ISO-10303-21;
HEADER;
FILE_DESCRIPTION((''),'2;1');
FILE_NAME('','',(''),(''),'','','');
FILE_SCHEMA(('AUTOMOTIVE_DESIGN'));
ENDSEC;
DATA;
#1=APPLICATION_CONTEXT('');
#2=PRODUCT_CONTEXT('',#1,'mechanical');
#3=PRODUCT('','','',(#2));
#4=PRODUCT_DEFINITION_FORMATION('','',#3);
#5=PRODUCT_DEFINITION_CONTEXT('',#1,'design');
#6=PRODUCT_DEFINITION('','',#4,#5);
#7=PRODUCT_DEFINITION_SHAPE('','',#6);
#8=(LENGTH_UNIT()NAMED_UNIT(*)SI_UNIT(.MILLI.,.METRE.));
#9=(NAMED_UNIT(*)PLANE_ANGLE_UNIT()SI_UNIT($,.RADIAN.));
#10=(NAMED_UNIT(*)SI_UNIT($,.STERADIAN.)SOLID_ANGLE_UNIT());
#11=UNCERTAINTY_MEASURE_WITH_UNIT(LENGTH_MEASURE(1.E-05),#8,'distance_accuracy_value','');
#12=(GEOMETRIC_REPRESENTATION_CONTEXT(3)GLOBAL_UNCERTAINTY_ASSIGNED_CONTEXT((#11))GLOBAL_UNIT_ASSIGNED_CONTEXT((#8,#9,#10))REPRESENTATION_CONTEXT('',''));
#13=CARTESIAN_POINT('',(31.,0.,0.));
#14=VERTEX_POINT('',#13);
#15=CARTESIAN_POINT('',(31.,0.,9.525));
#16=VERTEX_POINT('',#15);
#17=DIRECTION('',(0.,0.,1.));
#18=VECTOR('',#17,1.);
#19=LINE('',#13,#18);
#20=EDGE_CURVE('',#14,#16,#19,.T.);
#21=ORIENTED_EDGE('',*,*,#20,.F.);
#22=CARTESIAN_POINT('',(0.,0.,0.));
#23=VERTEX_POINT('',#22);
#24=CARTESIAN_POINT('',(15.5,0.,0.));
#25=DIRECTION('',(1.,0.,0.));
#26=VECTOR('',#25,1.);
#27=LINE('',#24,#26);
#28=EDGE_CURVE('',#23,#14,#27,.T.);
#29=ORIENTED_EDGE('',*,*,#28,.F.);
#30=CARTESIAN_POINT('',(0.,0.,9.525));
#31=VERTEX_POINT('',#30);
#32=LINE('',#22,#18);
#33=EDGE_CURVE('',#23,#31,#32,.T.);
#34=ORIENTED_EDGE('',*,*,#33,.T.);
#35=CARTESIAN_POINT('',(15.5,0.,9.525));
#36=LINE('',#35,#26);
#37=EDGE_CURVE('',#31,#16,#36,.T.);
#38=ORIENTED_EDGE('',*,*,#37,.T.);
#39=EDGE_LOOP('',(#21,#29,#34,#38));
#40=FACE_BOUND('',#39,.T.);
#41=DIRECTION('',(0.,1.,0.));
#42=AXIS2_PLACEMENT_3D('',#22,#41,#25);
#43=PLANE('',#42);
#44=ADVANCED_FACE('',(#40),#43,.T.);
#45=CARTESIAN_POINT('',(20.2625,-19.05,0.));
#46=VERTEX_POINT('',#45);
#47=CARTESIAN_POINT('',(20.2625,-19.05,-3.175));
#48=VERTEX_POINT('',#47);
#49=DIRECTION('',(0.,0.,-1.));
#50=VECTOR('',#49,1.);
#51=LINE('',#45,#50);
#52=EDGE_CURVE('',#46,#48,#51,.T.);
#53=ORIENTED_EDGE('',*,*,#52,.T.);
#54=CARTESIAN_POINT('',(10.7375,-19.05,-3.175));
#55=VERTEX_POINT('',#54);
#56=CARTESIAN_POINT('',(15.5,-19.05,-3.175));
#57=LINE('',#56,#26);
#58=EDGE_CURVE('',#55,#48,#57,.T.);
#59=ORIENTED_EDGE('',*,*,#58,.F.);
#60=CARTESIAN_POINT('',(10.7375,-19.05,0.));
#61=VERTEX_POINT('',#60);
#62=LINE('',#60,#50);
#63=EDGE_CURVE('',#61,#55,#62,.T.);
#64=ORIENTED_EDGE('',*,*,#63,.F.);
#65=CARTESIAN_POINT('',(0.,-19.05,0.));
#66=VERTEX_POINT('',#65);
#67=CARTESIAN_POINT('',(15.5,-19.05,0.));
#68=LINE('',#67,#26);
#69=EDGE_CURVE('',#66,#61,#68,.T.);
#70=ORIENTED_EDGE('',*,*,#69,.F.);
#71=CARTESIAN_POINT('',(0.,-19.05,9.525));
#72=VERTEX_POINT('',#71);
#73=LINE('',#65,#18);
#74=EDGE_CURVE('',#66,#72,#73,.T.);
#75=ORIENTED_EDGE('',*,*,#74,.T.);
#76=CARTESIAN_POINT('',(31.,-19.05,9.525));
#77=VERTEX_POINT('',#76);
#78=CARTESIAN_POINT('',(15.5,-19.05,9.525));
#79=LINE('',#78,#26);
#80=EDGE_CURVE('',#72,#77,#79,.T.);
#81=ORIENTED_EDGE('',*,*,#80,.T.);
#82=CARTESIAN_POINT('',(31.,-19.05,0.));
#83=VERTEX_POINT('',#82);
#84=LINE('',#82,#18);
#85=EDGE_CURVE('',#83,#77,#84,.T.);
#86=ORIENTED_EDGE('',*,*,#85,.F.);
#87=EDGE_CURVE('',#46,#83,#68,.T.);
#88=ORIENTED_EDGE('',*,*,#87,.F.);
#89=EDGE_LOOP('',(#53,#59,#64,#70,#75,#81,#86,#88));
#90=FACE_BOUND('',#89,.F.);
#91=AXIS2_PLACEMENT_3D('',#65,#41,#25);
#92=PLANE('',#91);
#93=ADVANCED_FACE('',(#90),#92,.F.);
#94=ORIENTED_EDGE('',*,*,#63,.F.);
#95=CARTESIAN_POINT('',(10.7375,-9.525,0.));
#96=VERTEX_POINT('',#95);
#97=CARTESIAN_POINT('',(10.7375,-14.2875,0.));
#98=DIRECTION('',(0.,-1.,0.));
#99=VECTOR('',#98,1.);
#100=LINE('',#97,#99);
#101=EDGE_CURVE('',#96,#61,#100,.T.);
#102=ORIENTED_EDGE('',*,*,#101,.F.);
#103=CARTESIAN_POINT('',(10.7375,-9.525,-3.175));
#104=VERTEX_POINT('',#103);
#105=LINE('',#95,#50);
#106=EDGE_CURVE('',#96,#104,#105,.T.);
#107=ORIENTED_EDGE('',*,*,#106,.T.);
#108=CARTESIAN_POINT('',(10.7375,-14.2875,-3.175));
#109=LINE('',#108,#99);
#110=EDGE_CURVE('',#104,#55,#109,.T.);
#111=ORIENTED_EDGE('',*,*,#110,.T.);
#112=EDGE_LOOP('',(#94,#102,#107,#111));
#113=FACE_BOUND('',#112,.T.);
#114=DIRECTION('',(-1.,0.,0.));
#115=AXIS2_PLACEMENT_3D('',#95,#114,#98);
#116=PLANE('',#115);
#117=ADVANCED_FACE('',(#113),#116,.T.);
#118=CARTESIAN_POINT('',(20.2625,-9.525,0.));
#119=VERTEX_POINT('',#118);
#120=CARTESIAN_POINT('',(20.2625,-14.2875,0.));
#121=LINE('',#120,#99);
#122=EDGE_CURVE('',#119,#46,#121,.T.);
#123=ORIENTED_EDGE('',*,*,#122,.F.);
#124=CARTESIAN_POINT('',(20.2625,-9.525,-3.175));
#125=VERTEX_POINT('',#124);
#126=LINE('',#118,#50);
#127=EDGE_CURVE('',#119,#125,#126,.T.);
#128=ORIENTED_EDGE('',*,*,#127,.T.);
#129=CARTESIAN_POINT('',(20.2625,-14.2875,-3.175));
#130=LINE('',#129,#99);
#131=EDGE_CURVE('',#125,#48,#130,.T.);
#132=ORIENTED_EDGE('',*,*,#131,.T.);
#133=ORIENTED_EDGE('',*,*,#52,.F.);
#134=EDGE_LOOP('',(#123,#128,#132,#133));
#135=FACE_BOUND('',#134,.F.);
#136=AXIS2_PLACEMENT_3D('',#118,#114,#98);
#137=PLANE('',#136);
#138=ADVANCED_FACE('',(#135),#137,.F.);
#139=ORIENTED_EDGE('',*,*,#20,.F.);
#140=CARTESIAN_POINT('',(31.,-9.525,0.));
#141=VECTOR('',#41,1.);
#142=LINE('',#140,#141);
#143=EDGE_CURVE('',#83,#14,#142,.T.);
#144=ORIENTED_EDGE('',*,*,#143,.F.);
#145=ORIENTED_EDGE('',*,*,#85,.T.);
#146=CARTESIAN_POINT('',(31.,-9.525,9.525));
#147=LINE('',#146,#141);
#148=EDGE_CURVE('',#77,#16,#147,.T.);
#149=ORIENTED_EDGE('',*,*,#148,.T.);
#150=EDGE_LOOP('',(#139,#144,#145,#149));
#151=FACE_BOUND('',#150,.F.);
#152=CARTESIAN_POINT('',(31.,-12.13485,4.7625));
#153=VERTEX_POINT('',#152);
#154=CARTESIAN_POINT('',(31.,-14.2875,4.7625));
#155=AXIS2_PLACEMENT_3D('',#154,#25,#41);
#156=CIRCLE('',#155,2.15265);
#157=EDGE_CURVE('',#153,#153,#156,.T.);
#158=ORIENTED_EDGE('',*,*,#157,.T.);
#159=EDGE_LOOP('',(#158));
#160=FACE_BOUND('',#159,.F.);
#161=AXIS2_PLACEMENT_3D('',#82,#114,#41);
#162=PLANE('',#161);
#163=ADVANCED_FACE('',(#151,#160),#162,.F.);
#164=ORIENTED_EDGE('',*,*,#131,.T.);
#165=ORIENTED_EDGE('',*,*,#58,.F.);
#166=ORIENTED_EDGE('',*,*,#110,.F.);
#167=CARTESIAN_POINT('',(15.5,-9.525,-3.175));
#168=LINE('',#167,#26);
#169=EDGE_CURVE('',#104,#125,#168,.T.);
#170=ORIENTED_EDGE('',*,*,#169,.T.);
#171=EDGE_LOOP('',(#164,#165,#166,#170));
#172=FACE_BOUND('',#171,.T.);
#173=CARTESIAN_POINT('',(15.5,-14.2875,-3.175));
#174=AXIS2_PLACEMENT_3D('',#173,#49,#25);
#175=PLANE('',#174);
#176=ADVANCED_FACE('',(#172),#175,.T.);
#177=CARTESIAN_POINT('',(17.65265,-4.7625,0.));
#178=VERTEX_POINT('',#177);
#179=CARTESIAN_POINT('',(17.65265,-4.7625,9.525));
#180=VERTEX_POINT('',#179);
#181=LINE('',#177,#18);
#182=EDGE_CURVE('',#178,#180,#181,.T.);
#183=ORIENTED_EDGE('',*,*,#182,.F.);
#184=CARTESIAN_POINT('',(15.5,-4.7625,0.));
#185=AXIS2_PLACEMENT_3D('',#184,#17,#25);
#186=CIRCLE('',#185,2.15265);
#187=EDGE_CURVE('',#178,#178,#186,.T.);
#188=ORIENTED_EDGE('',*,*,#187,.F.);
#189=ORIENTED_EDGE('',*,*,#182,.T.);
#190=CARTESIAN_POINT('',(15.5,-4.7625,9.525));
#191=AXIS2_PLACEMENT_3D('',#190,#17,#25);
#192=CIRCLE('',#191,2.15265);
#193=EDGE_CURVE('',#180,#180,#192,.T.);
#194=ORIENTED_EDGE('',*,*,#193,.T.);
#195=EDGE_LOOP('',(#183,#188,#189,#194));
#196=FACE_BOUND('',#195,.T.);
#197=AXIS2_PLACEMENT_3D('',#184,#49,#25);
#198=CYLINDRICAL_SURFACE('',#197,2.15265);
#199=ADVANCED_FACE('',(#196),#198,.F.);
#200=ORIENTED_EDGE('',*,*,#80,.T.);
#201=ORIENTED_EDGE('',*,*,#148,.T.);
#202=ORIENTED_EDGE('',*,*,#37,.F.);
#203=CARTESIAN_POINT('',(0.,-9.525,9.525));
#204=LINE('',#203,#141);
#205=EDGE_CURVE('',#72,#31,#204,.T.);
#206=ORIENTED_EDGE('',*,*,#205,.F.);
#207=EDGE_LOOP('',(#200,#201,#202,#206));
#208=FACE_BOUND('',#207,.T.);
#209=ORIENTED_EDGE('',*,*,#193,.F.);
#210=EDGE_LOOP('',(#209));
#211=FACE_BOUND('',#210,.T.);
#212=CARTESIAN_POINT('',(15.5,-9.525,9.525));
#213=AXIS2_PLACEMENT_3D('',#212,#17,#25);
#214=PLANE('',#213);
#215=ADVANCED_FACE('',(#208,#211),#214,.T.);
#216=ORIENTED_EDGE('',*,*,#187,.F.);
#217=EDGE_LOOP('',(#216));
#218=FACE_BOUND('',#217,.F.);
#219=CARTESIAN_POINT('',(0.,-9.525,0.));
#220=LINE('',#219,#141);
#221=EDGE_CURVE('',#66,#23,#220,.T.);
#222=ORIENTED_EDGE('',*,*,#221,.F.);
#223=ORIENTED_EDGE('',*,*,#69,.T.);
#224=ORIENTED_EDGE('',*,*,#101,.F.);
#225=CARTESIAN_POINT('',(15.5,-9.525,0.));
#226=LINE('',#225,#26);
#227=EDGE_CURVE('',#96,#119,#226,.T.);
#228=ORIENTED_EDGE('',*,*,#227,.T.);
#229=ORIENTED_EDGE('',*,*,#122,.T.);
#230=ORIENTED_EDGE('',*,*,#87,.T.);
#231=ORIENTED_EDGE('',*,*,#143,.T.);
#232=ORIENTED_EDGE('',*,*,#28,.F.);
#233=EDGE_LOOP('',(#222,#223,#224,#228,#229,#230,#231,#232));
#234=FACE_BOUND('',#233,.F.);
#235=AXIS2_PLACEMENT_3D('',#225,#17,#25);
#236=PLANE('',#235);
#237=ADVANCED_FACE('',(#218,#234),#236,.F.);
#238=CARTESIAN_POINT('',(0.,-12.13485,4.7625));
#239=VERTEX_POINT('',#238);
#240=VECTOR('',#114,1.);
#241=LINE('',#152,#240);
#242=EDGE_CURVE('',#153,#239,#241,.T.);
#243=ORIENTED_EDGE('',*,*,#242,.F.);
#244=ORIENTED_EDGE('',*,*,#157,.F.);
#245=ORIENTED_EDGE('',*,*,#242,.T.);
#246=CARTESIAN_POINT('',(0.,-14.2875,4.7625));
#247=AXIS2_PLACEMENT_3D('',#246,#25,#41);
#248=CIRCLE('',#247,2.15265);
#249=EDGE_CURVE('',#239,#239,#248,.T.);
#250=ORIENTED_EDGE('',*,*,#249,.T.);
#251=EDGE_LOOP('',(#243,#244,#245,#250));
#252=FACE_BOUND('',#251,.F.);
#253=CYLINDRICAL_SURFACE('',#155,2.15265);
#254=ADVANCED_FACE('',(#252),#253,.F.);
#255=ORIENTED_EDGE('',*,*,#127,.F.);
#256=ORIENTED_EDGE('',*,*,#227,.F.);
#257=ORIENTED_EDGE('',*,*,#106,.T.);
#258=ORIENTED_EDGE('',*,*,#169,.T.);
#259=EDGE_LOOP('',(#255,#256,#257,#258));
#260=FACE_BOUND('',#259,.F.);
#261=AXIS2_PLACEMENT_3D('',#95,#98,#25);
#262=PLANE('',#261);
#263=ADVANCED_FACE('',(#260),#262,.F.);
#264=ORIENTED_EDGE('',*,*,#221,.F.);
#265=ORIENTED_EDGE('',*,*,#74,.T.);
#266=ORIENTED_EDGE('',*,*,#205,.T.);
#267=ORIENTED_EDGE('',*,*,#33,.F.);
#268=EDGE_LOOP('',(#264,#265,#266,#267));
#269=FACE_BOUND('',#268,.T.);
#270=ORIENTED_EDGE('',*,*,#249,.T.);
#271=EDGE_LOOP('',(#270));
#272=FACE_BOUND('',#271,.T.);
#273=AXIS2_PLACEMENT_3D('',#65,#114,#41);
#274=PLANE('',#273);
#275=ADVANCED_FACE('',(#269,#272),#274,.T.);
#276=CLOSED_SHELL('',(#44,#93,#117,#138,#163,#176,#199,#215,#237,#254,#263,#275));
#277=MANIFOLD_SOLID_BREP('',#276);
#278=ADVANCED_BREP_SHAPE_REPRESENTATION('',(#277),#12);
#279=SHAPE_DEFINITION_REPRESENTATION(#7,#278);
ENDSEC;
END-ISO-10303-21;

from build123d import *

# Parameters (mm, degrees)
F0_W     = 31
F0_H     = 19.05
F0_R     = 2.15265
F1_DEPTH = 9.525
F2_R     = 2.15265
F3_DEPTH = 31
F4_W     = 9.525
F4_H     = 9.525
F5_DEPTH = 3.175


with BuildPart() as f1:
    # F0 (on Top) → F1 (new body)
    with BuildSketch(Plane.XY):
        with Locations((15.5, -9.525)):
            Rectangle(F0_W, F0_H)
        with Locations((15.5, -4.7625)):
            Circle(F0_R, mode=Mode.SUBTRACT)
    extrude(amount=F1_DEPTH)

    # F2 (on face) → F3 (cut, through all)
    with BuildSketch(Plane.YZ.offset(31)):
        with Locations((-14.2875, 4.7625)):
            Circle(F2_R)
    extrude(amount=-F3_DEPTH, mode=Mode.SUBTRACT)

    # F4 (on face) → F5 (join)
    with BuildSketch(Plane(origin=(0, 0, 0), x_dir=(1, 0, 0), z_dir=(0, 0, -1))):
        with Locations((15.5, 14.2875)):
            Rectangle(F4_W, F4_H)
    extrude(amount=F5_DEPTH)


solid = f1.part
